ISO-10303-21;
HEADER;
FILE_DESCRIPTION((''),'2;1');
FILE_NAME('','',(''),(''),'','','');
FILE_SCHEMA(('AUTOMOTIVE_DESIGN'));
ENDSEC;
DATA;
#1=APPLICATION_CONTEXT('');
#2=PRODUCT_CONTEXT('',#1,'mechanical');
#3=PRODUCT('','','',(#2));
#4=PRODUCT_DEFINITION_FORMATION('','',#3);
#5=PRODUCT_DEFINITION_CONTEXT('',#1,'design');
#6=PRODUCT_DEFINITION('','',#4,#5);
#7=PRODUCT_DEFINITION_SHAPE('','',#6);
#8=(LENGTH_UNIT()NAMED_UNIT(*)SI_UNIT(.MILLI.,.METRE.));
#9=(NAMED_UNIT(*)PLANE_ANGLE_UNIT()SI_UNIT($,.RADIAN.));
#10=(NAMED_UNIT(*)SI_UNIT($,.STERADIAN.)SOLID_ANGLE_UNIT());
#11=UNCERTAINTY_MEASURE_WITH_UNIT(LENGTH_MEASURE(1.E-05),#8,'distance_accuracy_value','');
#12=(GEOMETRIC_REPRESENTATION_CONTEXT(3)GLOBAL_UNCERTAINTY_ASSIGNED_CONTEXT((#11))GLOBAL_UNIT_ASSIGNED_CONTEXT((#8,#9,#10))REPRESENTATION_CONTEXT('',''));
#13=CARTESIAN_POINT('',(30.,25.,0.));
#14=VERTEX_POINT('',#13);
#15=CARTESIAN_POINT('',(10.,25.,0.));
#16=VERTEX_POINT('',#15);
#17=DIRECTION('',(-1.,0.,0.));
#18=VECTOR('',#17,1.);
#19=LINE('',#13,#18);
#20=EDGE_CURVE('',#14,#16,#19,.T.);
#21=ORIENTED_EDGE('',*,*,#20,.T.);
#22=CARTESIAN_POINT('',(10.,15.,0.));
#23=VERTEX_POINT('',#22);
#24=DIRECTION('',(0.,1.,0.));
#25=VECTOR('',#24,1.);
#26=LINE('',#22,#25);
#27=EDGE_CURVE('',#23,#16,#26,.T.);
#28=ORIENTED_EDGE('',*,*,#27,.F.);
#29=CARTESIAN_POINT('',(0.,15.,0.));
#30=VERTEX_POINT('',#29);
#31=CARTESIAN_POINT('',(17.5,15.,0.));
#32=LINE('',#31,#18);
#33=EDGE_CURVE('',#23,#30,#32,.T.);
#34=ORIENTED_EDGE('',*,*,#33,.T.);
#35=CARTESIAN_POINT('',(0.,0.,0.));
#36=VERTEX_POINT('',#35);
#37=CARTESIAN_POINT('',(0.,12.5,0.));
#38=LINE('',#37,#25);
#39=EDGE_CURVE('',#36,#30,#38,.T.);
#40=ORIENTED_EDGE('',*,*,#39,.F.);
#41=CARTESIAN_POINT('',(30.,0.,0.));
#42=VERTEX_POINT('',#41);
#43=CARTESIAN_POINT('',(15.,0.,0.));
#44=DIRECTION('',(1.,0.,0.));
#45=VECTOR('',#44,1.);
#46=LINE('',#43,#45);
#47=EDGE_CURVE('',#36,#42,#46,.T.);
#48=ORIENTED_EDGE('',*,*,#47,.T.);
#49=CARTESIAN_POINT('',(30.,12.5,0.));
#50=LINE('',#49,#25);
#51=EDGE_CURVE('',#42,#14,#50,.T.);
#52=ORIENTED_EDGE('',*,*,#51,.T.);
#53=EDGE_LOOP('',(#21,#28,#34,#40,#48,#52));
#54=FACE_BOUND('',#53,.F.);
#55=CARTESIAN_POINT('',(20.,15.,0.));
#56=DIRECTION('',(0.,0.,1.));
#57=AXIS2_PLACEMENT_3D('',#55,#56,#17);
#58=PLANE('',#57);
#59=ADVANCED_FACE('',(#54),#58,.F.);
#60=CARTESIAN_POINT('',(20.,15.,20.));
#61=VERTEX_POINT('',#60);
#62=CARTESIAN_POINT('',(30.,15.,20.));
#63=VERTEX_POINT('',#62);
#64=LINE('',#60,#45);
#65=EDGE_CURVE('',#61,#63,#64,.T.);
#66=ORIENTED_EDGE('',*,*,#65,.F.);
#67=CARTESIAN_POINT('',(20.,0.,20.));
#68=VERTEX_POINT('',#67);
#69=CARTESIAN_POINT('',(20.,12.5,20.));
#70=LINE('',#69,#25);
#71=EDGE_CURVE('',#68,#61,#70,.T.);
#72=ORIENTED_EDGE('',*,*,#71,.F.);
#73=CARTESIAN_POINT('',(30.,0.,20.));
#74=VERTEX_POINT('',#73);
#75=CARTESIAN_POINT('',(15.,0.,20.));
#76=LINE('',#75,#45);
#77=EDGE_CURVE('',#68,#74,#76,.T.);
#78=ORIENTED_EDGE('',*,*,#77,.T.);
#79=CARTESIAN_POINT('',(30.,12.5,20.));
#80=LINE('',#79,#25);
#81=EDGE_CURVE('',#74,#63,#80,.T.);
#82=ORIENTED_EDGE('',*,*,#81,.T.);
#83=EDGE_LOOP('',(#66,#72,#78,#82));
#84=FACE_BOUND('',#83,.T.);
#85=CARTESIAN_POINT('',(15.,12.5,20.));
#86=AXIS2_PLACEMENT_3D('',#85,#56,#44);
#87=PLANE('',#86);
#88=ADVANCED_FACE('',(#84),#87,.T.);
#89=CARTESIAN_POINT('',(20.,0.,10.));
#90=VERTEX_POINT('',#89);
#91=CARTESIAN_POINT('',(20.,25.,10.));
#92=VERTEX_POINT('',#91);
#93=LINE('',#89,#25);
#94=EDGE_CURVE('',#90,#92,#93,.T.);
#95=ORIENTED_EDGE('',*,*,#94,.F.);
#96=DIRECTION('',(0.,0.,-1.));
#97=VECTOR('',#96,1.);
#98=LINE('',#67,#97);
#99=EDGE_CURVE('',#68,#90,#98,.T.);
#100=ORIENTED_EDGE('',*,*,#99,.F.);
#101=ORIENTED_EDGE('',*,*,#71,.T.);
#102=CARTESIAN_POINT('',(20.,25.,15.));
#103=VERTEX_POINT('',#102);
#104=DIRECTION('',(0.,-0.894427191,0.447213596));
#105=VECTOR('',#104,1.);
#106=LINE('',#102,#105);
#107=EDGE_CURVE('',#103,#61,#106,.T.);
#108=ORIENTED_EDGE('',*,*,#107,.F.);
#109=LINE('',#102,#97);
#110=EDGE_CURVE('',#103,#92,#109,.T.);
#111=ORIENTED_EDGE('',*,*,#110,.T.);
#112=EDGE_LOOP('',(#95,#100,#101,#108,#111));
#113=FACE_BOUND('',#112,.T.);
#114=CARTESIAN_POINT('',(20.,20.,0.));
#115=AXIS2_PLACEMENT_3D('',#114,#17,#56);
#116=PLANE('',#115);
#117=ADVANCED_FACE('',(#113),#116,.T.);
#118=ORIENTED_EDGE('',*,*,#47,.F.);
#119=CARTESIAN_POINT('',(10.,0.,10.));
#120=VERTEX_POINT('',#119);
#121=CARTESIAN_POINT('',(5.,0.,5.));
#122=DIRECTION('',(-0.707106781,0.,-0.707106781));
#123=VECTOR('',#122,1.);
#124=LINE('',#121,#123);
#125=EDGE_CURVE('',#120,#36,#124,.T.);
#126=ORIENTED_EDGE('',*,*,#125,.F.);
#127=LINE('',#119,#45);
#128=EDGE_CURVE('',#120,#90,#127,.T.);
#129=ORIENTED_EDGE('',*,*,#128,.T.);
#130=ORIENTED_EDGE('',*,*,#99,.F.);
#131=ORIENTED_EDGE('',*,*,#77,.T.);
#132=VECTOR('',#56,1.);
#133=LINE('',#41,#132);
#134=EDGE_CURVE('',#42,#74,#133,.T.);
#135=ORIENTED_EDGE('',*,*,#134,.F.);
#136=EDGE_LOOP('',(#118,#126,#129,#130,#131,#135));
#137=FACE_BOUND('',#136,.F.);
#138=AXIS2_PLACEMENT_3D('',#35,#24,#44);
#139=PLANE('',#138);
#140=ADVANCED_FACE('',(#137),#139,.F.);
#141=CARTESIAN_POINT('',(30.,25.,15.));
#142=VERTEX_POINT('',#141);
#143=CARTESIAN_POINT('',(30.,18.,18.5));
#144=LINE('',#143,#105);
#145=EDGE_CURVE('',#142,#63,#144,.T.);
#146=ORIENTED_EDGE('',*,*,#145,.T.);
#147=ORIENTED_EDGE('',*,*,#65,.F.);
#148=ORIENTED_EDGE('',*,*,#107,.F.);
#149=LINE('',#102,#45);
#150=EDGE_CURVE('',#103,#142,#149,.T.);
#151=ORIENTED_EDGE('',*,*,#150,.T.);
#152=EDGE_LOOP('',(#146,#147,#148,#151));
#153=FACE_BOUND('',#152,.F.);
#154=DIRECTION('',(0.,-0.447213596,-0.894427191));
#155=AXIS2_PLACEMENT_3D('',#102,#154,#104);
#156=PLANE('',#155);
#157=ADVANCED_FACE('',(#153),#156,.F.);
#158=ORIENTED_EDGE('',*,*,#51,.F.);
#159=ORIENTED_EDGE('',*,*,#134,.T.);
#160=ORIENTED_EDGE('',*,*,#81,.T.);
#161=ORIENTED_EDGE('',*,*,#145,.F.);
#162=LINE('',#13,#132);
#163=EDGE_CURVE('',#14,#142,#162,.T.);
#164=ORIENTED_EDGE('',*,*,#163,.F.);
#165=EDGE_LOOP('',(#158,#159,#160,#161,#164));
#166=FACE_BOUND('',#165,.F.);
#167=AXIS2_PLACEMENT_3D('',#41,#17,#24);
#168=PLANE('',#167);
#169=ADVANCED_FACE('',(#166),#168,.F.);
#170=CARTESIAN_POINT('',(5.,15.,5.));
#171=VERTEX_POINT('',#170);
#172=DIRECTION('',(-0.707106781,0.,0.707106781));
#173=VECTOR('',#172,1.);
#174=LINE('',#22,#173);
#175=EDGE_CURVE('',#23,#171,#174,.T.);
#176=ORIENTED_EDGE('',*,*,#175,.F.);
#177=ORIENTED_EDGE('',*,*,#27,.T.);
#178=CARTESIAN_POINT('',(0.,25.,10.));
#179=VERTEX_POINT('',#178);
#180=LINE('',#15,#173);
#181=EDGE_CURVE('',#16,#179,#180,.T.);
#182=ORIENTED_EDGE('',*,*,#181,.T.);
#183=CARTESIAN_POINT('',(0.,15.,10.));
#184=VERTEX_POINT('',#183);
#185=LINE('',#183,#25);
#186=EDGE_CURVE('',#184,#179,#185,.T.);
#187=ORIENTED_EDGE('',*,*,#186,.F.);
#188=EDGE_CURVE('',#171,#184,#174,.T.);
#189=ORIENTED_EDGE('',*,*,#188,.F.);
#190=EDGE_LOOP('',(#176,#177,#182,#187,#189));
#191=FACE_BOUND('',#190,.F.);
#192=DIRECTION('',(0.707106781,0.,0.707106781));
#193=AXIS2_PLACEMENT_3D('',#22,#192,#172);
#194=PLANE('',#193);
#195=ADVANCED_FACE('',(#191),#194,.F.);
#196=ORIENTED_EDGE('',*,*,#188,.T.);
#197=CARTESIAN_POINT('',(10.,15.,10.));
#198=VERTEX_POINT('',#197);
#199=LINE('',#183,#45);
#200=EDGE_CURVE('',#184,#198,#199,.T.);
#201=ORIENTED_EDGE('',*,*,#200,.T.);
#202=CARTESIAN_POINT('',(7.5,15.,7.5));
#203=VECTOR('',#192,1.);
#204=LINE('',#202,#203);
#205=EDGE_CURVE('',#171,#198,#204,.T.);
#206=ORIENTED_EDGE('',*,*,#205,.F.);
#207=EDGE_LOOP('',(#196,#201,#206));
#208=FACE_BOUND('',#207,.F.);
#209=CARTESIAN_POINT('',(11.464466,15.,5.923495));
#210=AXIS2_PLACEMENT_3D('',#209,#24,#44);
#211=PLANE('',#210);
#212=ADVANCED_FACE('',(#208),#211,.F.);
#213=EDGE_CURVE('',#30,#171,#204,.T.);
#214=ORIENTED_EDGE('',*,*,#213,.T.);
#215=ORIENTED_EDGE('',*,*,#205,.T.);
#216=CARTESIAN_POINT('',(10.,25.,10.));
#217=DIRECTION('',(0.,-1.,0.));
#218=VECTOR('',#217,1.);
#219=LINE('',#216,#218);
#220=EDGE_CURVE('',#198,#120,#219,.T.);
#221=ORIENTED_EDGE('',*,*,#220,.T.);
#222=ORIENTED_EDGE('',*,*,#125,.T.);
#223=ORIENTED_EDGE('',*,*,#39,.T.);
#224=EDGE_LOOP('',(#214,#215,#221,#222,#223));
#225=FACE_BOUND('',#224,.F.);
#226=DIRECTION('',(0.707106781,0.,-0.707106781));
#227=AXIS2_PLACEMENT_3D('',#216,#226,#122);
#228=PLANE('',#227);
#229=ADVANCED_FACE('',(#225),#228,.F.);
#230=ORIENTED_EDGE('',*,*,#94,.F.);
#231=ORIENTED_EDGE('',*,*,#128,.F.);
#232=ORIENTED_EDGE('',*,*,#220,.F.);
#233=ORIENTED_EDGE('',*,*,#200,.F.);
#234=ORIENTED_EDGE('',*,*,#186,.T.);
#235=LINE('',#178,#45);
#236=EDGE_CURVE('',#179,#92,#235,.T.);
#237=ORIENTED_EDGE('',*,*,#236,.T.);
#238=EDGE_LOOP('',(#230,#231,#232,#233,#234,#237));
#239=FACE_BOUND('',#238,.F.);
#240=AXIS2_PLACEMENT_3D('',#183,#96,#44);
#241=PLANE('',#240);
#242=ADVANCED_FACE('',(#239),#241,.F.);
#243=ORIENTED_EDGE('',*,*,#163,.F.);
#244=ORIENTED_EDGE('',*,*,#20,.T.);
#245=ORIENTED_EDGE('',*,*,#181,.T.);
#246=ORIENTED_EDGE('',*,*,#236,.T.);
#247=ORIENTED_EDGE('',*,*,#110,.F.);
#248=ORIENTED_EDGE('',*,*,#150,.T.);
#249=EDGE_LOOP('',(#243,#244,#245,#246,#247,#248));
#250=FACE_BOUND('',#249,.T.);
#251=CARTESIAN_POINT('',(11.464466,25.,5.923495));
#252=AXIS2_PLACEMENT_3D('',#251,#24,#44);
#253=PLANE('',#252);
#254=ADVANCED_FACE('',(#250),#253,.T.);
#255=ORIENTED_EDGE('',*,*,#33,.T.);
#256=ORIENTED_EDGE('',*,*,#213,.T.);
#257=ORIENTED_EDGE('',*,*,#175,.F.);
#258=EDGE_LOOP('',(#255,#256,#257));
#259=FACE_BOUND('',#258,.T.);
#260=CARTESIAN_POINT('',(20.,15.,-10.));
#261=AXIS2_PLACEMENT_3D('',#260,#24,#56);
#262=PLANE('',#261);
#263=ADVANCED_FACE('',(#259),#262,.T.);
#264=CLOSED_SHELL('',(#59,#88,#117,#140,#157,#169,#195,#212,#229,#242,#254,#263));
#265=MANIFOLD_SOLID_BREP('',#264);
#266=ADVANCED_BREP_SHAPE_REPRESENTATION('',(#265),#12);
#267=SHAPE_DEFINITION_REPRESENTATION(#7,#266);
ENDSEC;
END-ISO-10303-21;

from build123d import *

# Parameters (mm, degrees)
SKETCH1_W           = 30
SKETCH1_H           = 25
BOSS_EXTRUDE1_DEPTH = 20
SKETCH2_W           = 20
SKETCH2_H           = 25
CUT_EXTRUDE1_DEPTH  = 10
CUT_EXTRUDE2_DEPTH  = 20
CUT_EXTRUDE3_DEPTH  = 40
SKETCH5_W           = 20
SKETCH5_H           = 10
CUT_EXTRUDE4_DEPTH  = 20
BOSS_EXTRUDE2_DEPTH = 10


with BuildPart() as part:
    # Sketch1 → Boss-Extrude1 (new body)
    with BuildSketch(Plane.XY):
        with Locations((15, 12.5)):
            Rectangle(SKETCH1_W, SKETCH1_H)
    extrude(amount=BOSS_EXTRUDE1_DEPTH)

    # Sketch2 → Cut-Extrude1 (cut)
    with BuildSketch(Plane.XY.offset(20)):
        with Locations((10, 12.5)):
            Rectangle(SKETCH2_W, SKETCH2_H)
    extrude(amount=-CUT_EXTRUDE1_DEPTH, mode=Mode.SUBTRACT)

    # Sketch3 → Cut-Extrude2 (cut)
    with BuildSketch(Plane.ZY.offset(-20)):
        Polygon((15, 25), (20, 15), (20, 25), align=None)
    extrude(amount=-CUT_EXTRUDE2_DEPTH, mode=Mode.SUBTRACT)

    # Sketch4 → Cut-Extrude3 (cut)
    with BuildSketch(Plane(origin=(0, 25, 0), x_dir=(1, 0, 0), z_dir=(0, 1, 0))):
        Polygon((0, -10), (10, -10), (0, 0), align=None)
    extrude(amount=-CUT_EXTRUDE3_DEPTH, mode=Mode.SUBTRACT)

    # Sketch5 → Cut-Extrude4 (cut)
    with BuildSketch(Plane.ZY.offset(-20)):
        with Locations((0, 20)):
            Rectangle(SKETCH5_W, SKETCH5_H)
    extrude(amount=CUT_EXTRUDE4_DEPTH, mode=Mode.SUBTRACT)

    # Sketch6 → Boss-Extrude2 (add)
    with BuildSketch(Plane(origin=(0, 15, 0), x_dir=(1, 0, 0), z_dir=(0, 1, 0))):
        Polygon((0, -10), (20, -10), (20, 0), (10, 0), align=None)
    extrude(amount=BOSS_EXTRUDE2_DEPTH)


solid = part.part
